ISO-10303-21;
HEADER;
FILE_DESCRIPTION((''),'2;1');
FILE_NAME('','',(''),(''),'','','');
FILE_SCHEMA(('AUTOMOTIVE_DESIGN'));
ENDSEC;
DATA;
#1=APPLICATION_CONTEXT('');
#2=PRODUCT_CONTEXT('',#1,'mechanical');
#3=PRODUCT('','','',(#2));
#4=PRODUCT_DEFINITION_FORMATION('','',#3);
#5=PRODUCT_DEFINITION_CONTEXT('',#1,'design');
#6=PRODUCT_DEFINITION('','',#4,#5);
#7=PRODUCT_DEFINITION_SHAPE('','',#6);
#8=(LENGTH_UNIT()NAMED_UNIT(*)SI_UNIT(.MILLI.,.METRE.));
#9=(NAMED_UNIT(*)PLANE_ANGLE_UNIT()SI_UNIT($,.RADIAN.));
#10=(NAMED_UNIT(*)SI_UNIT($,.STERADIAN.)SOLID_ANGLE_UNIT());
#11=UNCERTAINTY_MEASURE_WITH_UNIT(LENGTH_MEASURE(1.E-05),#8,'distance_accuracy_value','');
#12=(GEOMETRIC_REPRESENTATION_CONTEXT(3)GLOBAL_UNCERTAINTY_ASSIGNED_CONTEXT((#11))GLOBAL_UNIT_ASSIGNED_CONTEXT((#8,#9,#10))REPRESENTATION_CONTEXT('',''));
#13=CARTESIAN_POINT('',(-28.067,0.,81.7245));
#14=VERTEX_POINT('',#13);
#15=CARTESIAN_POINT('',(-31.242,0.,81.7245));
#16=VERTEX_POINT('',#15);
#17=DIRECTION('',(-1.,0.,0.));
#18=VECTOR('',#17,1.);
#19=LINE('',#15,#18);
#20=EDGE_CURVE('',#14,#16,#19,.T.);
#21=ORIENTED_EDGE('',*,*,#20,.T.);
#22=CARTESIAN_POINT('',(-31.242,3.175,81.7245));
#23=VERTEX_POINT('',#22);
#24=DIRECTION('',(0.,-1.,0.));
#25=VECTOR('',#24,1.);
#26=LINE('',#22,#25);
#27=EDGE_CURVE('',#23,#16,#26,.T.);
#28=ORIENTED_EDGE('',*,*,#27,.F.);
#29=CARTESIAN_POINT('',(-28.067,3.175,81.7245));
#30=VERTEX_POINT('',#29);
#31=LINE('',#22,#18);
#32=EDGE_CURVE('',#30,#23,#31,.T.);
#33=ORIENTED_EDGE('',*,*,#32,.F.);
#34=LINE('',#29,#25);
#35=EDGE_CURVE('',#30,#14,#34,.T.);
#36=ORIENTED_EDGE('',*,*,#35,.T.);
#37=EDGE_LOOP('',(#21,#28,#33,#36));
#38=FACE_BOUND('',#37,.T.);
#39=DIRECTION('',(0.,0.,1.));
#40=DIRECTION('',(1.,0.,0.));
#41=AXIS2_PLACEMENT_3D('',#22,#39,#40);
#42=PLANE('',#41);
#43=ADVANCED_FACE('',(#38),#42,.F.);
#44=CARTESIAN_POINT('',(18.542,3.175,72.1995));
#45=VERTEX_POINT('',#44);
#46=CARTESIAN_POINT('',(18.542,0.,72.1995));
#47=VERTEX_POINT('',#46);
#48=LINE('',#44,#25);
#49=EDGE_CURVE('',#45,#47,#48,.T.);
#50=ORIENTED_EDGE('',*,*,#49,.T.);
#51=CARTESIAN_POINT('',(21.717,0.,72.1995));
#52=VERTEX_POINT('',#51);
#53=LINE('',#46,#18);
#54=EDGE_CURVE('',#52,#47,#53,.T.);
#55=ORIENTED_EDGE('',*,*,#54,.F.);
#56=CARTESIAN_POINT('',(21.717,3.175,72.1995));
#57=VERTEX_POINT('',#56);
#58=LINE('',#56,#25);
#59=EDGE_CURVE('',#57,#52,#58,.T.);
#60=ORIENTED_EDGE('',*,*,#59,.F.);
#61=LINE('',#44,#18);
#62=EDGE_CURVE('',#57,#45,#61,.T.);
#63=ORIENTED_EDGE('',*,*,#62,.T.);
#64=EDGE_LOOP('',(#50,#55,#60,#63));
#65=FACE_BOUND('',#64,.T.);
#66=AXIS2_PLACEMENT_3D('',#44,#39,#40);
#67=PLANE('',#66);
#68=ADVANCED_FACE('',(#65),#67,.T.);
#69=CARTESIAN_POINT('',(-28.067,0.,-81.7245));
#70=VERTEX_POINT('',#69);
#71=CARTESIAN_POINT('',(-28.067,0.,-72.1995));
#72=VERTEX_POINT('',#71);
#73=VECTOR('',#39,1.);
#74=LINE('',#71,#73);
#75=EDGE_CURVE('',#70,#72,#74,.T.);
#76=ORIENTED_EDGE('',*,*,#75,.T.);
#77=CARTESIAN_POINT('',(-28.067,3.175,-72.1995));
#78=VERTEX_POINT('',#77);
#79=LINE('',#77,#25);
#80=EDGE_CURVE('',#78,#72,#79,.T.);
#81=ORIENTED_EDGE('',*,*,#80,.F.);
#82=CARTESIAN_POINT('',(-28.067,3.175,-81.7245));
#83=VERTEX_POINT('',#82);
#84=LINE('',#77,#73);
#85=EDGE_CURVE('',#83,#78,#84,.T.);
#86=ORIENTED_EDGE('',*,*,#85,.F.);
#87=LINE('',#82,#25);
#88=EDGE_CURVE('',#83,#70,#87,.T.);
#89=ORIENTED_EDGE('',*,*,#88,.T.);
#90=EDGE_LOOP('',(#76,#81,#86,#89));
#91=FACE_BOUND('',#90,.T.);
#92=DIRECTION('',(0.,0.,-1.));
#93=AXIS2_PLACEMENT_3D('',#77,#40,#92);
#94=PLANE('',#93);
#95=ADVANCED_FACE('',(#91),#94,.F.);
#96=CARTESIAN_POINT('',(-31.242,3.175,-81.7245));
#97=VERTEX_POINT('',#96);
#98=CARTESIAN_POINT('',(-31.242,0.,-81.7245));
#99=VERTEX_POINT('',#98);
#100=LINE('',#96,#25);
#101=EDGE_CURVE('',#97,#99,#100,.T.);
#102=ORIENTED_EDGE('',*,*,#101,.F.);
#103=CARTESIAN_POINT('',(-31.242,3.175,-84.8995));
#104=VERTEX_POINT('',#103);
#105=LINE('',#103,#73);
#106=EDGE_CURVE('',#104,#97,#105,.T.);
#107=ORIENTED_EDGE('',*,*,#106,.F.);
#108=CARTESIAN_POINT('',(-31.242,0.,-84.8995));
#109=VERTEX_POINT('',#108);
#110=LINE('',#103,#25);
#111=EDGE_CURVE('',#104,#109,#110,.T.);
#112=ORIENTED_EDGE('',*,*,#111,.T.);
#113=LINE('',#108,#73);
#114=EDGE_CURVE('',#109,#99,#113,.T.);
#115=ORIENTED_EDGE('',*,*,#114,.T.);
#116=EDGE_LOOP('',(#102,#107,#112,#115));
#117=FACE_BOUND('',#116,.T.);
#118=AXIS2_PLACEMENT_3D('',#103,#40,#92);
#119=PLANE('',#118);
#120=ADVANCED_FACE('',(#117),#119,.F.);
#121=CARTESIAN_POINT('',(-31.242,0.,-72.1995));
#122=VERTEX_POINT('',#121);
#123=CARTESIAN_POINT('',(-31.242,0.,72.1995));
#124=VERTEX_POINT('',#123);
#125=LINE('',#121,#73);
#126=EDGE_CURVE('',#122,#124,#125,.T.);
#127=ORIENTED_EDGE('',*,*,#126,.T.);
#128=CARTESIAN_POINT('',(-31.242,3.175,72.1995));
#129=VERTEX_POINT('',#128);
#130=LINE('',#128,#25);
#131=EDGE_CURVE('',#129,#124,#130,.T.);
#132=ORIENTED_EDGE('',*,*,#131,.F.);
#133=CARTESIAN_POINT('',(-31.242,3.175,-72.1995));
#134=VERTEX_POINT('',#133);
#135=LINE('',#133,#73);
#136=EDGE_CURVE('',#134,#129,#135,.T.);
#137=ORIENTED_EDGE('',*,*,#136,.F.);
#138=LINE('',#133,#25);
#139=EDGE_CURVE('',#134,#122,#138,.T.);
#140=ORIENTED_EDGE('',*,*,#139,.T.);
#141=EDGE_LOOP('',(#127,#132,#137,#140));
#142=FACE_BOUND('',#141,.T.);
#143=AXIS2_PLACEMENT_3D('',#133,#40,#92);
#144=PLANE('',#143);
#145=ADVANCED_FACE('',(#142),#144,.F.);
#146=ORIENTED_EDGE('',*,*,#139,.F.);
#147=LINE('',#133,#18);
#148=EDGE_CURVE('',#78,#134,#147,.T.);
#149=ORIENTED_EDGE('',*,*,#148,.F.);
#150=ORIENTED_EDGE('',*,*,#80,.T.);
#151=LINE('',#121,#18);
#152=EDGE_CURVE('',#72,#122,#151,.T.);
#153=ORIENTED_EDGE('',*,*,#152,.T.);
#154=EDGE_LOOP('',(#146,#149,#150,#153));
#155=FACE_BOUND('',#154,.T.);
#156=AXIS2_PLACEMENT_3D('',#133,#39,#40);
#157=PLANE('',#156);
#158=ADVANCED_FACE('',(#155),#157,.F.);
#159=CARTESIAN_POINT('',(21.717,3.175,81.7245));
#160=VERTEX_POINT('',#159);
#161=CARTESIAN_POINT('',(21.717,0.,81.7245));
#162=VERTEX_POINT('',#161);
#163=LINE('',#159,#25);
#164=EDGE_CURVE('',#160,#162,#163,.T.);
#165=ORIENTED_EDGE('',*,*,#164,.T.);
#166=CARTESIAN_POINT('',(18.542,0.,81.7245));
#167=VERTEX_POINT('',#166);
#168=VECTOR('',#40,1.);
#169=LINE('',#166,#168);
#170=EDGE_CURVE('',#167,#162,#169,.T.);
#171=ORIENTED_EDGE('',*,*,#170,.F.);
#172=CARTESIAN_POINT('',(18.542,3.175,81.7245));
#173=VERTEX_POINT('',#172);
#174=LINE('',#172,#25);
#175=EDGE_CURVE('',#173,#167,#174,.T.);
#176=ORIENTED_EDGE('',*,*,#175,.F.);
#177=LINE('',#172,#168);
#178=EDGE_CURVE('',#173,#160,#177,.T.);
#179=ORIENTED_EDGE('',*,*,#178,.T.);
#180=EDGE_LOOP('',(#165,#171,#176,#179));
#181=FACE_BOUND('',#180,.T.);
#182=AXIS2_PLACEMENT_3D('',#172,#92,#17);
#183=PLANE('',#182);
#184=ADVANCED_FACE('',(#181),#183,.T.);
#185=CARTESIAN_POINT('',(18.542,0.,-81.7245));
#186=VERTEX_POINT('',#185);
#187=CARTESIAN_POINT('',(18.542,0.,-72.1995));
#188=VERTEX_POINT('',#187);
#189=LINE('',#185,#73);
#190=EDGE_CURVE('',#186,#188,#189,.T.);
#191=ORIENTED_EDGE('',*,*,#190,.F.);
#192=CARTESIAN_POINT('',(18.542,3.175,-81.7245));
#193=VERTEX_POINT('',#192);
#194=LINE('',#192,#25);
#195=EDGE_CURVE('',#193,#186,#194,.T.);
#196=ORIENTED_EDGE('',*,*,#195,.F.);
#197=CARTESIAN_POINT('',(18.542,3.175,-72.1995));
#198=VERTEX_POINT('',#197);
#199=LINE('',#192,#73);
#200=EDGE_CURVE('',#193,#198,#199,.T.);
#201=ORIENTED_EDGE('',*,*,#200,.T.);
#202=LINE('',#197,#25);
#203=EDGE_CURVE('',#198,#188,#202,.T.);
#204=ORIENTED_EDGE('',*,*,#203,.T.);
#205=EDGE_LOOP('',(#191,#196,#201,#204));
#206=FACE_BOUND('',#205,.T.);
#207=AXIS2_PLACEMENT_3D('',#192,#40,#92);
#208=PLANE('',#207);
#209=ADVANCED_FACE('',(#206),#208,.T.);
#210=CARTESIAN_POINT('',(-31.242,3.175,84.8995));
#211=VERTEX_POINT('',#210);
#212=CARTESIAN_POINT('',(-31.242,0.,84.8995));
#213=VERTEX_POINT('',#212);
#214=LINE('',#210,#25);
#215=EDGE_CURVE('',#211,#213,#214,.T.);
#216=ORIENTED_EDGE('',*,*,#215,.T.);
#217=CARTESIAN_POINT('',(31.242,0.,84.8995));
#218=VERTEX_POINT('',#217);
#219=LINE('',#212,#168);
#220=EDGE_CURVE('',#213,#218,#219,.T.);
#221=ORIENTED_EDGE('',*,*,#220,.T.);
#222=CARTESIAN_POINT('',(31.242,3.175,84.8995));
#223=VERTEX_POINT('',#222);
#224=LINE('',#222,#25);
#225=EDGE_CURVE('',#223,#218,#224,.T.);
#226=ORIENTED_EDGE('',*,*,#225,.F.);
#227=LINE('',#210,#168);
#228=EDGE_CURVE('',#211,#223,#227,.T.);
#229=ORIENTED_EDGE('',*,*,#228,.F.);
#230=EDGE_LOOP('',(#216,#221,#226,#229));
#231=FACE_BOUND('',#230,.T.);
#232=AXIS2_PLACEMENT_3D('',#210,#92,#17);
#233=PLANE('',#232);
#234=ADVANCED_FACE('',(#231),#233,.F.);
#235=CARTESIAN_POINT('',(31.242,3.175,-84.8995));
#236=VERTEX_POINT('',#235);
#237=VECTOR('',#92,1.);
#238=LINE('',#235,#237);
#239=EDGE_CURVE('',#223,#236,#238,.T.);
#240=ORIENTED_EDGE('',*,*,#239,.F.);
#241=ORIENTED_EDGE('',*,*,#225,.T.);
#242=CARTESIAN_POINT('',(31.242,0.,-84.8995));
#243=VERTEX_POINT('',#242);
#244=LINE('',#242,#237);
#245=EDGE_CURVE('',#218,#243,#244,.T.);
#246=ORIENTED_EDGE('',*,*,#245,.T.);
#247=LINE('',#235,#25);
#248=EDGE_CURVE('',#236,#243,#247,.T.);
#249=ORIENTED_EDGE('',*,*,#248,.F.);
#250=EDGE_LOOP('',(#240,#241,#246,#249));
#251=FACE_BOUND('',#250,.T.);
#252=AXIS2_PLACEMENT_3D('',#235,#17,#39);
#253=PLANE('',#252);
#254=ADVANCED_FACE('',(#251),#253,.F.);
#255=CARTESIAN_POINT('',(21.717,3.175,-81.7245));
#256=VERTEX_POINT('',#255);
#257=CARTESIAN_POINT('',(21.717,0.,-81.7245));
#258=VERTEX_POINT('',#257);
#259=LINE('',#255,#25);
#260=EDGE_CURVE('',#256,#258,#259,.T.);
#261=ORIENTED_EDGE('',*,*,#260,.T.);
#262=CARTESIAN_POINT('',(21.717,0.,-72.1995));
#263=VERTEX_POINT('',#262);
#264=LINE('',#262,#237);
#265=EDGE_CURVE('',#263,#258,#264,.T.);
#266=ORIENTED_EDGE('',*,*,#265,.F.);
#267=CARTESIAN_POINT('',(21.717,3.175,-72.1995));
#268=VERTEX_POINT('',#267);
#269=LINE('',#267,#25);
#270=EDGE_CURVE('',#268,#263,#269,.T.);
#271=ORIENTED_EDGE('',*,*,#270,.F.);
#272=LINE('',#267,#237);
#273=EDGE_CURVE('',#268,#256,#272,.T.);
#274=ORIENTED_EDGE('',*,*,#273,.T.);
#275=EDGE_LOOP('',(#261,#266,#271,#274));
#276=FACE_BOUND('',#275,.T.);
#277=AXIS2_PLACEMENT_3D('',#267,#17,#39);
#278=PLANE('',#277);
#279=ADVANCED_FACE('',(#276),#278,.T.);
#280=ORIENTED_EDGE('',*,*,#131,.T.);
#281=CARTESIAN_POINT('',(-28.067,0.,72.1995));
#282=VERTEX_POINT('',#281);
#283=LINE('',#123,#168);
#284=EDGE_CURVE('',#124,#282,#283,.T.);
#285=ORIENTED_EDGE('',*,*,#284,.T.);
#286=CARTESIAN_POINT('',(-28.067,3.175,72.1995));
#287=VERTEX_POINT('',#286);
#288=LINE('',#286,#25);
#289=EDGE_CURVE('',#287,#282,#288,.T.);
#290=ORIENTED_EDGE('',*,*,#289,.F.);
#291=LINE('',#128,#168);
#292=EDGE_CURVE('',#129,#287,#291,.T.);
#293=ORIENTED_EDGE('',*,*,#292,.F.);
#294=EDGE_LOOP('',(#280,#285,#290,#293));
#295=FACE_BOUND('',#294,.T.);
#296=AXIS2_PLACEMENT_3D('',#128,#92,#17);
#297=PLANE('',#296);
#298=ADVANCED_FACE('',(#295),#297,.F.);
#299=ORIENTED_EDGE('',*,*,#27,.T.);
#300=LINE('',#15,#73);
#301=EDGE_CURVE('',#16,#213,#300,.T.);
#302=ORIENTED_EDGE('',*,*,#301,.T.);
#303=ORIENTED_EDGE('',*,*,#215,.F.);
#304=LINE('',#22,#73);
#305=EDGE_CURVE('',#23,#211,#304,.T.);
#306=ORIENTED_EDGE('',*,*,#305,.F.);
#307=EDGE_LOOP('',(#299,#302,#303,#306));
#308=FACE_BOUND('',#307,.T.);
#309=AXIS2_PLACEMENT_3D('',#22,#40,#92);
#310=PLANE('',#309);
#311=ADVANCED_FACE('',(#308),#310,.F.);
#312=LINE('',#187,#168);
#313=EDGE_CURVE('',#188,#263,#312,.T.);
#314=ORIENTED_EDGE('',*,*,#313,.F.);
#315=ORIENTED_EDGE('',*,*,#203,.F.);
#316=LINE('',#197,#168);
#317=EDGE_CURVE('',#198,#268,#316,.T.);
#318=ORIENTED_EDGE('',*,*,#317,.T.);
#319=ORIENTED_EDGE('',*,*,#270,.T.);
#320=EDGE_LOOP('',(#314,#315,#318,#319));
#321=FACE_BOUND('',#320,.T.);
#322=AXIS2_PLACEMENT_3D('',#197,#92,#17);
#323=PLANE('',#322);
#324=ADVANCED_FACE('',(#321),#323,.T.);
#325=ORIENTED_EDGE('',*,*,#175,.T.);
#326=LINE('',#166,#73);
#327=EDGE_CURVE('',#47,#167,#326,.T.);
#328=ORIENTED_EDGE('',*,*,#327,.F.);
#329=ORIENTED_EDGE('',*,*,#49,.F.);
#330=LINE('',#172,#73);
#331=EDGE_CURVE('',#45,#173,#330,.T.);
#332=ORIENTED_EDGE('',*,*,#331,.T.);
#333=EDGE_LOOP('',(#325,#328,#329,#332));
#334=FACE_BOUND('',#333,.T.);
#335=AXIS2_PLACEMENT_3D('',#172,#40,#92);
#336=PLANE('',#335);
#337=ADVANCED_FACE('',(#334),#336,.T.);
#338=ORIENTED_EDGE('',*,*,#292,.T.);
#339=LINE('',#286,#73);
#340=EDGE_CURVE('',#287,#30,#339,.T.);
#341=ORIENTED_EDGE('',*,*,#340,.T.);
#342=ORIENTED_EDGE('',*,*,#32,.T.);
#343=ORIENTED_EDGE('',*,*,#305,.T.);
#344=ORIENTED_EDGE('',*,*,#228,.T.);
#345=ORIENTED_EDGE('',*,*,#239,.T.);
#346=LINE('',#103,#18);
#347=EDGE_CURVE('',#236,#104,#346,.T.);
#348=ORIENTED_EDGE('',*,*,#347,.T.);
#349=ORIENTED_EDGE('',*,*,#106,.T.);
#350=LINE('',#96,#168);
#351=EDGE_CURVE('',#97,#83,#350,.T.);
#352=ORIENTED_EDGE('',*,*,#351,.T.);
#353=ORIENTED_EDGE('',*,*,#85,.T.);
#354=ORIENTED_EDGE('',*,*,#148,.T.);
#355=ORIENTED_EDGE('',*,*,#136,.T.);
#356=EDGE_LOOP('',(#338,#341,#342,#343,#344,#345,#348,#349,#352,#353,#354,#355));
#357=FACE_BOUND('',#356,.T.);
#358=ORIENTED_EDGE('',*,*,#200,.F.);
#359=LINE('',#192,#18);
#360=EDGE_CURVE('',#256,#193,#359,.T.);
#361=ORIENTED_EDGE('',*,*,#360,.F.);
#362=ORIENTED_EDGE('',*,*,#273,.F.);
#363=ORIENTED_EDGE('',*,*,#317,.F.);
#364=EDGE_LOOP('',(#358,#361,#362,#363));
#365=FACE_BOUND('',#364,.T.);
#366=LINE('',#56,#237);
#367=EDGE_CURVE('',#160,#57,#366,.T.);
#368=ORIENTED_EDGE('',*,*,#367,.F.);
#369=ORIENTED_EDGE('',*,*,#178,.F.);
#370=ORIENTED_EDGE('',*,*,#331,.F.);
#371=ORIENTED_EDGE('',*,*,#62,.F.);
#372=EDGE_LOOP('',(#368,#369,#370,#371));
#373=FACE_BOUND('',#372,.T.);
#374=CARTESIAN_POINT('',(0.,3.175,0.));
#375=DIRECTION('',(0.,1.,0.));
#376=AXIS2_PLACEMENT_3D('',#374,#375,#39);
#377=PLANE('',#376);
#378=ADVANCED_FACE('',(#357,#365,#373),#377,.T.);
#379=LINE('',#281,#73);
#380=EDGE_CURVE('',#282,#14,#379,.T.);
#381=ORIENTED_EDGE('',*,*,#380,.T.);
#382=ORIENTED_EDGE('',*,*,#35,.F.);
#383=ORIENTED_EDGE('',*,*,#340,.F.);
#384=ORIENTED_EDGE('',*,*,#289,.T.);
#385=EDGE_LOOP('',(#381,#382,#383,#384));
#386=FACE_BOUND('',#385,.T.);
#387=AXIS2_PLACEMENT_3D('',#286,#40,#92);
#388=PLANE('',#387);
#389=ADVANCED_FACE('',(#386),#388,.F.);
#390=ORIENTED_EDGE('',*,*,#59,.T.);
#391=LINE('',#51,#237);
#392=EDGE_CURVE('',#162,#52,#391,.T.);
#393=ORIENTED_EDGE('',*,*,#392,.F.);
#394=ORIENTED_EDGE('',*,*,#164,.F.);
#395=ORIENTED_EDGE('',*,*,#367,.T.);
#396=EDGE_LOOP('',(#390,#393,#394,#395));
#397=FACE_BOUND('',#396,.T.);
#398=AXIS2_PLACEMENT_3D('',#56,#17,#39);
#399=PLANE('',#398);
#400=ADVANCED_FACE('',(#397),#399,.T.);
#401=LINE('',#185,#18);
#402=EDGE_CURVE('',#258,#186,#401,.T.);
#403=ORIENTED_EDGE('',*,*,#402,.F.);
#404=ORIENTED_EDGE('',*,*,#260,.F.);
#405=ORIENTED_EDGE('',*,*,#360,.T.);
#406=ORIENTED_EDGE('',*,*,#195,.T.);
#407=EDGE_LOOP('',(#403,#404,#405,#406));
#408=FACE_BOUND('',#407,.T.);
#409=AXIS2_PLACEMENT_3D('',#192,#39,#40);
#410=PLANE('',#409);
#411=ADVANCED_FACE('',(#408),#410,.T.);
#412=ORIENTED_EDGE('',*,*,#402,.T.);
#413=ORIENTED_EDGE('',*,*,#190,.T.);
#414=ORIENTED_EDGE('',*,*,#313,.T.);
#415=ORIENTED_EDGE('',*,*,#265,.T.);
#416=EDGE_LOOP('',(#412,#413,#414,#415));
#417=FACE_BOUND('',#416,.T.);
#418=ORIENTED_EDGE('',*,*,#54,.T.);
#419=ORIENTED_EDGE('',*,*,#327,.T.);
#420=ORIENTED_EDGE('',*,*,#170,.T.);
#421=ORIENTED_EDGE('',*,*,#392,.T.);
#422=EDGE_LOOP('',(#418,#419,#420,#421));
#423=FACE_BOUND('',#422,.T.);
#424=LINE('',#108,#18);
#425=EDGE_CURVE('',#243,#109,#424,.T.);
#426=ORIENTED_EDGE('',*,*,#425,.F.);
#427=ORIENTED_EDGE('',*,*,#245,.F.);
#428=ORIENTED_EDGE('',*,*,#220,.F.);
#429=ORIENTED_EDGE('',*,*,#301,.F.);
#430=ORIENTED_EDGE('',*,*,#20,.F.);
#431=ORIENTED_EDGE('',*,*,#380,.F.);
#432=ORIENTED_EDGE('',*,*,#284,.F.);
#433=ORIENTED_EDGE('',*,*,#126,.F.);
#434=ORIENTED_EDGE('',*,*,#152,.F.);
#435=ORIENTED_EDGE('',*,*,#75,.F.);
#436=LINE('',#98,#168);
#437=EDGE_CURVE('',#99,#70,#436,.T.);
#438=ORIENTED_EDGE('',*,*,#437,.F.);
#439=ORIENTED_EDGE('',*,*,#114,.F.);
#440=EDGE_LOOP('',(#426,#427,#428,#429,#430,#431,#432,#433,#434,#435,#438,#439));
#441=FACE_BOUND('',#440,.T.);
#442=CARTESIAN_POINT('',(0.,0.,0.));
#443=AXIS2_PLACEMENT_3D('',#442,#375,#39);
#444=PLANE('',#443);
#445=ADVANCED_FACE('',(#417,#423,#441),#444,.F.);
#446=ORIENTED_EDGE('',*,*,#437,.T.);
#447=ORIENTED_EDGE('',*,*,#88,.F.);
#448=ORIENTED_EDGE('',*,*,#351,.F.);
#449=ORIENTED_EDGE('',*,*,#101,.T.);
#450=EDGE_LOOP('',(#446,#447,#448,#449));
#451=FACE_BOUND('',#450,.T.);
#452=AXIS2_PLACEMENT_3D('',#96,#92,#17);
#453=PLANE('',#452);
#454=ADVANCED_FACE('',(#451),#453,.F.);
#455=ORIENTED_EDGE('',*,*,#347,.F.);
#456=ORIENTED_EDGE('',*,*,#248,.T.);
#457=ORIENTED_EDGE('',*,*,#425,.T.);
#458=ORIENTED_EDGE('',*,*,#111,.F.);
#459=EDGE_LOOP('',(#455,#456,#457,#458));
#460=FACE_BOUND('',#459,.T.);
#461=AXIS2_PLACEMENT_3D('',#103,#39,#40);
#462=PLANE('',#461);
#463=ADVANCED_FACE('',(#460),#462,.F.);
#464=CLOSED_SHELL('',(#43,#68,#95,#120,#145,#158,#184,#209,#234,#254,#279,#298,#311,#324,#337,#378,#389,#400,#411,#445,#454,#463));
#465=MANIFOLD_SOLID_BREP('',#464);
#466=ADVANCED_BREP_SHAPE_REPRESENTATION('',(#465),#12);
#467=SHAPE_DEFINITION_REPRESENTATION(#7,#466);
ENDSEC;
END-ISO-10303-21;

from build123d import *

# Parameters (mm, degrees)
SKETCH1_W           = 3.175
SKETCH1_H           = 9.525
BOSS_EXTRUDE1_DEPTH = 3.175


with BuildPart() as part:
    # Sketch1 → Boss-Extrude1 (new body)
    with BuildSketch(Plane(origin=(0, 0, 0), x_dir=(1, 0, 0), z_dir=(0, 1, 0))):
        Polygon((-31.242, 72.1995), (-28.067, 72.1995), (-28.067, 81.7245), (-31.242, 81.7245), (-31.242, 84.8995), (31.242, 84.8995), (31.242, -84.8995), (-31.242, -84.8995), (-31.242, -81.7245), (-28.067, -81.7245), (-28.067, -72.1995), (-31.242, -72.1995), align=None)
        with Locations((20.1295, 76.962)):
            Rectangle(SKETCH1_W, SKETCH1_H, mode=Mode.SUBTRACT)
        with Locations((20.1295, -76.962)):
            Rectangle(SKETCH1_W, SKETCH1_H, mode=Mode.SUBTRACT)
    extrude(amount=BOSS_EXTRUDE1_DEPTH)


solid = part.part
